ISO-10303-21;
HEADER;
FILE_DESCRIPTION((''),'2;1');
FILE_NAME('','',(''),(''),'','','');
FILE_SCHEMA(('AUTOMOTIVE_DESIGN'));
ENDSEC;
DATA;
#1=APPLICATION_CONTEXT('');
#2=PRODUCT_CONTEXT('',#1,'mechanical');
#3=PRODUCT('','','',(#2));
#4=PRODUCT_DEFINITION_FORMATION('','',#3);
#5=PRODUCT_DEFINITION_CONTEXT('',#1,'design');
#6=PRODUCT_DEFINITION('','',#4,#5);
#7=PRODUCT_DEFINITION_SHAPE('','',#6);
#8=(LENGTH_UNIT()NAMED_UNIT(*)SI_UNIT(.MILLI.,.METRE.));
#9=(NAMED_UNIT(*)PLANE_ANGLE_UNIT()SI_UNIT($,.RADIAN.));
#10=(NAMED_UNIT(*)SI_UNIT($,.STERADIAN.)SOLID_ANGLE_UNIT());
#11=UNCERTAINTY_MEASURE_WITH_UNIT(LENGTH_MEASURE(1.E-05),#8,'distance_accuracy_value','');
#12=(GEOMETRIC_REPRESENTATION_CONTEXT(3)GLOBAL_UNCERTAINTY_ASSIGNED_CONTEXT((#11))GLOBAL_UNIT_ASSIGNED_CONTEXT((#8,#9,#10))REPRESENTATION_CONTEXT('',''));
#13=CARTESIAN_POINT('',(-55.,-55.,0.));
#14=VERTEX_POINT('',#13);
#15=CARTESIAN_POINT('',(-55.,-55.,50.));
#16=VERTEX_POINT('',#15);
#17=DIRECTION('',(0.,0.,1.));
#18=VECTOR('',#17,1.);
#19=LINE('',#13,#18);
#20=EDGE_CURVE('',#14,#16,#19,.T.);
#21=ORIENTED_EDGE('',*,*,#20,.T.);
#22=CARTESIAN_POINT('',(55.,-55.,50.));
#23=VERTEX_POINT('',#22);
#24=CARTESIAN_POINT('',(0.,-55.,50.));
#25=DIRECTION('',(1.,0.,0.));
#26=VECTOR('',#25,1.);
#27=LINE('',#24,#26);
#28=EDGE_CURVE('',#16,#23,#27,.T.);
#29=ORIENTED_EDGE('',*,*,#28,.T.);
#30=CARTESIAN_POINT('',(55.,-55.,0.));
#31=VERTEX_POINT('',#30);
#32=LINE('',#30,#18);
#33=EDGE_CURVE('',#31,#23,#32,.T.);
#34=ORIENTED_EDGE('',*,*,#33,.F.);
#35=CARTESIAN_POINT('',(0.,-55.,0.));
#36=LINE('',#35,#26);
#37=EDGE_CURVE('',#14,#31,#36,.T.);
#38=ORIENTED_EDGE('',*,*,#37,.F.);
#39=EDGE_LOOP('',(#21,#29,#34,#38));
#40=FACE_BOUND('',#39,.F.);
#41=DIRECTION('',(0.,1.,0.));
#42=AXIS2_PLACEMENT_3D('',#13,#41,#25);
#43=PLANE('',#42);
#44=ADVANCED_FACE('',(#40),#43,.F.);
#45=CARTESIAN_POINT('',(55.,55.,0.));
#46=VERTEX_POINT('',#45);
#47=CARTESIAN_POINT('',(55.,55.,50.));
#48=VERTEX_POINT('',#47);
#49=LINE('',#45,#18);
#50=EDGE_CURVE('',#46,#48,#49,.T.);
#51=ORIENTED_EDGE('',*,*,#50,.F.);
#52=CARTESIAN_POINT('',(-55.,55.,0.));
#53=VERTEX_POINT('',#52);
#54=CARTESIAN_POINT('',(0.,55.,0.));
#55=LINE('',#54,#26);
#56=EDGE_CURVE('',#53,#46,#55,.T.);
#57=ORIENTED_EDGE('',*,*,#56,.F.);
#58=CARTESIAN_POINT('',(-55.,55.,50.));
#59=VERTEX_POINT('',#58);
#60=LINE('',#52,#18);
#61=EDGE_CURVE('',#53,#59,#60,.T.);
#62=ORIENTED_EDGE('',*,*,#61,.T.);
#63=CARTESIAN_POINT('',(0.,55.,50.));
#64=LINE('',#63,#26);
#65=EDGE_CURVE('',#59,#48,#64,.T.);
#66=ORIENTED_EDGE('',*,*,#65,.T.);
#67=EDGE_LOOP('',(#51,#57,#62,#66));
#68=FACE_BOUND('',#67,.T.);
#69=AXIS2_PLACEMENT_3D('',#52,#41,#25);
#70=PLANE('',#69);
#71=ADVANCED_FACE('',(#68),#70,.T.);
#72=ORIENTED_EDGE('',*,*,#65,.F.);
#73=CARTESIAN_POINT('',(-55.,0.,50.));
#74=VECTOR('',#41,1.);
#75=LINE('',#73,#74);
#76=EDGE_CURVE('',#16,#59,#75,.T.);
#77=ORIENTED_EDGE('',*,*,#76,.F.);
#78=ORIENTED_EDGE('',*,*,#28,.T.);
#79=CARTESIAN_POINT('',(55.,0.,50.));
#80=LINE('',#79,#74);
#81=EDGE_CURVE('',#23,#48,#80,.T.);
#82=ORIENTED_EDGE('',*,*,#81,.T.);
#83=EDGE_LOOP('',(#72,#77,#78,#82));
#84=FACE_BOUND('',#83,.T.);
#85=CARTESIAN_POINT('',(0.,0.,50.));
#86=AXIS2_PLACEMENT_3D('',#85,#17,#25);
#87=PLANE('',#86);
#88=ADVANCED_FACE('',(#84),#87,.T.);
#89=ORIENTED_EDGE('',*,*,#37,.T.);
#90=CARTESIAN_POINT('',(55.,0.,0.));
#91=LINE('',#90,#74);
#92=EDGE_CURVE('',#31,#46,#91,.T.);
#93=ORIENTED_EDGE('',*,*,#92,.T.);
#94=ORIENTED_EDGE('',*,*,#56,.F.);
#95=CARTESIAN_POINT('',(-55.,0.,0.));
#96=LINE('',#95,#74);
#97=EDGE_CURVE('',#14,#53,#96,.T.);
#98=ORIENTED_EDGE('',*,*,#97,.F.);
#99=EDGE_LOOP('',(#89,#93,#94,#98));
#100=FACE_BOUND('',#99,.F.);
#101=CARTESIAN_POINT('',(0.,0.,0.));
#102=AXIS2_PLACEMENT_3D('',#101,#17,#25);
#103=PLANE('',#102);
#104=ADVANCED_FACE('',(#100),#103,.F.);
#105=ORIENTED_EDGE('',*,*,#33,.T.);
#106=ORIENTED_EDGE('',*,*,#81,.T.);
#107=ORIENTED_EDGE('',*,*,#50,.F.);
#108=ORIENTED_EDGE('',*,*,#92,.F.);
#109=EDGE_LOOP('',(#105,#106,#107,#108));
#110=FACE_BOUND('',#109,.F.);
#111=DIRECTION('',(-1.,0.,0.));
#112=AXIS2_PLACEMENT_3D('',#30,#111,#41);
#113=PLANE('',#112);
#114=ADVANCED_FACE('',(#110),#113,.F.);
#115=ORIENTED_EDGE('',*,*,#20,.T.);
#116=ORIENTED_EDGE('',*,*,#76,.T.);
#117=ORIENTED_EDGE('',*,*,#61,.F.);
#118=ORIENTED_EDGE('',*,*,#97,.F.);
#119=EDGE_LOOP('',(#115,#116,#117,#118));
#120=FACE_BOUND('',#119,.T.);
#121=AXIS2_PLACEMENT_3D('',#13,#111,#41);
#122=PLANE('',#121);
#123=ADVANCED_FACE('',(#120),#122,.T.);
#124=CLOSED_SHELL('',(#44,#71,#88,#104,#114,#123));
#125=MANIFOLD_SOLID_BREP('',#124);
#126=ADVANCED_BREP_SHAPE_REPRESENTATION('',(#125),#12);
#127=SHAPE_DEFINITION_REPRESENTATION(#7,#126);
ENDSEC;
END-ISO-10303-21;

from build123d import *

# Parameters (mm, degrees)
SKETCH_W      = 110
SKETCH_H      = 110
EXTRUDE_DEPTH = 50


with BuildPart() as part:
    # Sketch → Extrude (new body)
    with BuildSketch(Plane.XY):
        Rectangle(SKETCH_W, SKETCH_H)
    extrude(amount=EXTRUDE_DEPTH)


solid = part.part
